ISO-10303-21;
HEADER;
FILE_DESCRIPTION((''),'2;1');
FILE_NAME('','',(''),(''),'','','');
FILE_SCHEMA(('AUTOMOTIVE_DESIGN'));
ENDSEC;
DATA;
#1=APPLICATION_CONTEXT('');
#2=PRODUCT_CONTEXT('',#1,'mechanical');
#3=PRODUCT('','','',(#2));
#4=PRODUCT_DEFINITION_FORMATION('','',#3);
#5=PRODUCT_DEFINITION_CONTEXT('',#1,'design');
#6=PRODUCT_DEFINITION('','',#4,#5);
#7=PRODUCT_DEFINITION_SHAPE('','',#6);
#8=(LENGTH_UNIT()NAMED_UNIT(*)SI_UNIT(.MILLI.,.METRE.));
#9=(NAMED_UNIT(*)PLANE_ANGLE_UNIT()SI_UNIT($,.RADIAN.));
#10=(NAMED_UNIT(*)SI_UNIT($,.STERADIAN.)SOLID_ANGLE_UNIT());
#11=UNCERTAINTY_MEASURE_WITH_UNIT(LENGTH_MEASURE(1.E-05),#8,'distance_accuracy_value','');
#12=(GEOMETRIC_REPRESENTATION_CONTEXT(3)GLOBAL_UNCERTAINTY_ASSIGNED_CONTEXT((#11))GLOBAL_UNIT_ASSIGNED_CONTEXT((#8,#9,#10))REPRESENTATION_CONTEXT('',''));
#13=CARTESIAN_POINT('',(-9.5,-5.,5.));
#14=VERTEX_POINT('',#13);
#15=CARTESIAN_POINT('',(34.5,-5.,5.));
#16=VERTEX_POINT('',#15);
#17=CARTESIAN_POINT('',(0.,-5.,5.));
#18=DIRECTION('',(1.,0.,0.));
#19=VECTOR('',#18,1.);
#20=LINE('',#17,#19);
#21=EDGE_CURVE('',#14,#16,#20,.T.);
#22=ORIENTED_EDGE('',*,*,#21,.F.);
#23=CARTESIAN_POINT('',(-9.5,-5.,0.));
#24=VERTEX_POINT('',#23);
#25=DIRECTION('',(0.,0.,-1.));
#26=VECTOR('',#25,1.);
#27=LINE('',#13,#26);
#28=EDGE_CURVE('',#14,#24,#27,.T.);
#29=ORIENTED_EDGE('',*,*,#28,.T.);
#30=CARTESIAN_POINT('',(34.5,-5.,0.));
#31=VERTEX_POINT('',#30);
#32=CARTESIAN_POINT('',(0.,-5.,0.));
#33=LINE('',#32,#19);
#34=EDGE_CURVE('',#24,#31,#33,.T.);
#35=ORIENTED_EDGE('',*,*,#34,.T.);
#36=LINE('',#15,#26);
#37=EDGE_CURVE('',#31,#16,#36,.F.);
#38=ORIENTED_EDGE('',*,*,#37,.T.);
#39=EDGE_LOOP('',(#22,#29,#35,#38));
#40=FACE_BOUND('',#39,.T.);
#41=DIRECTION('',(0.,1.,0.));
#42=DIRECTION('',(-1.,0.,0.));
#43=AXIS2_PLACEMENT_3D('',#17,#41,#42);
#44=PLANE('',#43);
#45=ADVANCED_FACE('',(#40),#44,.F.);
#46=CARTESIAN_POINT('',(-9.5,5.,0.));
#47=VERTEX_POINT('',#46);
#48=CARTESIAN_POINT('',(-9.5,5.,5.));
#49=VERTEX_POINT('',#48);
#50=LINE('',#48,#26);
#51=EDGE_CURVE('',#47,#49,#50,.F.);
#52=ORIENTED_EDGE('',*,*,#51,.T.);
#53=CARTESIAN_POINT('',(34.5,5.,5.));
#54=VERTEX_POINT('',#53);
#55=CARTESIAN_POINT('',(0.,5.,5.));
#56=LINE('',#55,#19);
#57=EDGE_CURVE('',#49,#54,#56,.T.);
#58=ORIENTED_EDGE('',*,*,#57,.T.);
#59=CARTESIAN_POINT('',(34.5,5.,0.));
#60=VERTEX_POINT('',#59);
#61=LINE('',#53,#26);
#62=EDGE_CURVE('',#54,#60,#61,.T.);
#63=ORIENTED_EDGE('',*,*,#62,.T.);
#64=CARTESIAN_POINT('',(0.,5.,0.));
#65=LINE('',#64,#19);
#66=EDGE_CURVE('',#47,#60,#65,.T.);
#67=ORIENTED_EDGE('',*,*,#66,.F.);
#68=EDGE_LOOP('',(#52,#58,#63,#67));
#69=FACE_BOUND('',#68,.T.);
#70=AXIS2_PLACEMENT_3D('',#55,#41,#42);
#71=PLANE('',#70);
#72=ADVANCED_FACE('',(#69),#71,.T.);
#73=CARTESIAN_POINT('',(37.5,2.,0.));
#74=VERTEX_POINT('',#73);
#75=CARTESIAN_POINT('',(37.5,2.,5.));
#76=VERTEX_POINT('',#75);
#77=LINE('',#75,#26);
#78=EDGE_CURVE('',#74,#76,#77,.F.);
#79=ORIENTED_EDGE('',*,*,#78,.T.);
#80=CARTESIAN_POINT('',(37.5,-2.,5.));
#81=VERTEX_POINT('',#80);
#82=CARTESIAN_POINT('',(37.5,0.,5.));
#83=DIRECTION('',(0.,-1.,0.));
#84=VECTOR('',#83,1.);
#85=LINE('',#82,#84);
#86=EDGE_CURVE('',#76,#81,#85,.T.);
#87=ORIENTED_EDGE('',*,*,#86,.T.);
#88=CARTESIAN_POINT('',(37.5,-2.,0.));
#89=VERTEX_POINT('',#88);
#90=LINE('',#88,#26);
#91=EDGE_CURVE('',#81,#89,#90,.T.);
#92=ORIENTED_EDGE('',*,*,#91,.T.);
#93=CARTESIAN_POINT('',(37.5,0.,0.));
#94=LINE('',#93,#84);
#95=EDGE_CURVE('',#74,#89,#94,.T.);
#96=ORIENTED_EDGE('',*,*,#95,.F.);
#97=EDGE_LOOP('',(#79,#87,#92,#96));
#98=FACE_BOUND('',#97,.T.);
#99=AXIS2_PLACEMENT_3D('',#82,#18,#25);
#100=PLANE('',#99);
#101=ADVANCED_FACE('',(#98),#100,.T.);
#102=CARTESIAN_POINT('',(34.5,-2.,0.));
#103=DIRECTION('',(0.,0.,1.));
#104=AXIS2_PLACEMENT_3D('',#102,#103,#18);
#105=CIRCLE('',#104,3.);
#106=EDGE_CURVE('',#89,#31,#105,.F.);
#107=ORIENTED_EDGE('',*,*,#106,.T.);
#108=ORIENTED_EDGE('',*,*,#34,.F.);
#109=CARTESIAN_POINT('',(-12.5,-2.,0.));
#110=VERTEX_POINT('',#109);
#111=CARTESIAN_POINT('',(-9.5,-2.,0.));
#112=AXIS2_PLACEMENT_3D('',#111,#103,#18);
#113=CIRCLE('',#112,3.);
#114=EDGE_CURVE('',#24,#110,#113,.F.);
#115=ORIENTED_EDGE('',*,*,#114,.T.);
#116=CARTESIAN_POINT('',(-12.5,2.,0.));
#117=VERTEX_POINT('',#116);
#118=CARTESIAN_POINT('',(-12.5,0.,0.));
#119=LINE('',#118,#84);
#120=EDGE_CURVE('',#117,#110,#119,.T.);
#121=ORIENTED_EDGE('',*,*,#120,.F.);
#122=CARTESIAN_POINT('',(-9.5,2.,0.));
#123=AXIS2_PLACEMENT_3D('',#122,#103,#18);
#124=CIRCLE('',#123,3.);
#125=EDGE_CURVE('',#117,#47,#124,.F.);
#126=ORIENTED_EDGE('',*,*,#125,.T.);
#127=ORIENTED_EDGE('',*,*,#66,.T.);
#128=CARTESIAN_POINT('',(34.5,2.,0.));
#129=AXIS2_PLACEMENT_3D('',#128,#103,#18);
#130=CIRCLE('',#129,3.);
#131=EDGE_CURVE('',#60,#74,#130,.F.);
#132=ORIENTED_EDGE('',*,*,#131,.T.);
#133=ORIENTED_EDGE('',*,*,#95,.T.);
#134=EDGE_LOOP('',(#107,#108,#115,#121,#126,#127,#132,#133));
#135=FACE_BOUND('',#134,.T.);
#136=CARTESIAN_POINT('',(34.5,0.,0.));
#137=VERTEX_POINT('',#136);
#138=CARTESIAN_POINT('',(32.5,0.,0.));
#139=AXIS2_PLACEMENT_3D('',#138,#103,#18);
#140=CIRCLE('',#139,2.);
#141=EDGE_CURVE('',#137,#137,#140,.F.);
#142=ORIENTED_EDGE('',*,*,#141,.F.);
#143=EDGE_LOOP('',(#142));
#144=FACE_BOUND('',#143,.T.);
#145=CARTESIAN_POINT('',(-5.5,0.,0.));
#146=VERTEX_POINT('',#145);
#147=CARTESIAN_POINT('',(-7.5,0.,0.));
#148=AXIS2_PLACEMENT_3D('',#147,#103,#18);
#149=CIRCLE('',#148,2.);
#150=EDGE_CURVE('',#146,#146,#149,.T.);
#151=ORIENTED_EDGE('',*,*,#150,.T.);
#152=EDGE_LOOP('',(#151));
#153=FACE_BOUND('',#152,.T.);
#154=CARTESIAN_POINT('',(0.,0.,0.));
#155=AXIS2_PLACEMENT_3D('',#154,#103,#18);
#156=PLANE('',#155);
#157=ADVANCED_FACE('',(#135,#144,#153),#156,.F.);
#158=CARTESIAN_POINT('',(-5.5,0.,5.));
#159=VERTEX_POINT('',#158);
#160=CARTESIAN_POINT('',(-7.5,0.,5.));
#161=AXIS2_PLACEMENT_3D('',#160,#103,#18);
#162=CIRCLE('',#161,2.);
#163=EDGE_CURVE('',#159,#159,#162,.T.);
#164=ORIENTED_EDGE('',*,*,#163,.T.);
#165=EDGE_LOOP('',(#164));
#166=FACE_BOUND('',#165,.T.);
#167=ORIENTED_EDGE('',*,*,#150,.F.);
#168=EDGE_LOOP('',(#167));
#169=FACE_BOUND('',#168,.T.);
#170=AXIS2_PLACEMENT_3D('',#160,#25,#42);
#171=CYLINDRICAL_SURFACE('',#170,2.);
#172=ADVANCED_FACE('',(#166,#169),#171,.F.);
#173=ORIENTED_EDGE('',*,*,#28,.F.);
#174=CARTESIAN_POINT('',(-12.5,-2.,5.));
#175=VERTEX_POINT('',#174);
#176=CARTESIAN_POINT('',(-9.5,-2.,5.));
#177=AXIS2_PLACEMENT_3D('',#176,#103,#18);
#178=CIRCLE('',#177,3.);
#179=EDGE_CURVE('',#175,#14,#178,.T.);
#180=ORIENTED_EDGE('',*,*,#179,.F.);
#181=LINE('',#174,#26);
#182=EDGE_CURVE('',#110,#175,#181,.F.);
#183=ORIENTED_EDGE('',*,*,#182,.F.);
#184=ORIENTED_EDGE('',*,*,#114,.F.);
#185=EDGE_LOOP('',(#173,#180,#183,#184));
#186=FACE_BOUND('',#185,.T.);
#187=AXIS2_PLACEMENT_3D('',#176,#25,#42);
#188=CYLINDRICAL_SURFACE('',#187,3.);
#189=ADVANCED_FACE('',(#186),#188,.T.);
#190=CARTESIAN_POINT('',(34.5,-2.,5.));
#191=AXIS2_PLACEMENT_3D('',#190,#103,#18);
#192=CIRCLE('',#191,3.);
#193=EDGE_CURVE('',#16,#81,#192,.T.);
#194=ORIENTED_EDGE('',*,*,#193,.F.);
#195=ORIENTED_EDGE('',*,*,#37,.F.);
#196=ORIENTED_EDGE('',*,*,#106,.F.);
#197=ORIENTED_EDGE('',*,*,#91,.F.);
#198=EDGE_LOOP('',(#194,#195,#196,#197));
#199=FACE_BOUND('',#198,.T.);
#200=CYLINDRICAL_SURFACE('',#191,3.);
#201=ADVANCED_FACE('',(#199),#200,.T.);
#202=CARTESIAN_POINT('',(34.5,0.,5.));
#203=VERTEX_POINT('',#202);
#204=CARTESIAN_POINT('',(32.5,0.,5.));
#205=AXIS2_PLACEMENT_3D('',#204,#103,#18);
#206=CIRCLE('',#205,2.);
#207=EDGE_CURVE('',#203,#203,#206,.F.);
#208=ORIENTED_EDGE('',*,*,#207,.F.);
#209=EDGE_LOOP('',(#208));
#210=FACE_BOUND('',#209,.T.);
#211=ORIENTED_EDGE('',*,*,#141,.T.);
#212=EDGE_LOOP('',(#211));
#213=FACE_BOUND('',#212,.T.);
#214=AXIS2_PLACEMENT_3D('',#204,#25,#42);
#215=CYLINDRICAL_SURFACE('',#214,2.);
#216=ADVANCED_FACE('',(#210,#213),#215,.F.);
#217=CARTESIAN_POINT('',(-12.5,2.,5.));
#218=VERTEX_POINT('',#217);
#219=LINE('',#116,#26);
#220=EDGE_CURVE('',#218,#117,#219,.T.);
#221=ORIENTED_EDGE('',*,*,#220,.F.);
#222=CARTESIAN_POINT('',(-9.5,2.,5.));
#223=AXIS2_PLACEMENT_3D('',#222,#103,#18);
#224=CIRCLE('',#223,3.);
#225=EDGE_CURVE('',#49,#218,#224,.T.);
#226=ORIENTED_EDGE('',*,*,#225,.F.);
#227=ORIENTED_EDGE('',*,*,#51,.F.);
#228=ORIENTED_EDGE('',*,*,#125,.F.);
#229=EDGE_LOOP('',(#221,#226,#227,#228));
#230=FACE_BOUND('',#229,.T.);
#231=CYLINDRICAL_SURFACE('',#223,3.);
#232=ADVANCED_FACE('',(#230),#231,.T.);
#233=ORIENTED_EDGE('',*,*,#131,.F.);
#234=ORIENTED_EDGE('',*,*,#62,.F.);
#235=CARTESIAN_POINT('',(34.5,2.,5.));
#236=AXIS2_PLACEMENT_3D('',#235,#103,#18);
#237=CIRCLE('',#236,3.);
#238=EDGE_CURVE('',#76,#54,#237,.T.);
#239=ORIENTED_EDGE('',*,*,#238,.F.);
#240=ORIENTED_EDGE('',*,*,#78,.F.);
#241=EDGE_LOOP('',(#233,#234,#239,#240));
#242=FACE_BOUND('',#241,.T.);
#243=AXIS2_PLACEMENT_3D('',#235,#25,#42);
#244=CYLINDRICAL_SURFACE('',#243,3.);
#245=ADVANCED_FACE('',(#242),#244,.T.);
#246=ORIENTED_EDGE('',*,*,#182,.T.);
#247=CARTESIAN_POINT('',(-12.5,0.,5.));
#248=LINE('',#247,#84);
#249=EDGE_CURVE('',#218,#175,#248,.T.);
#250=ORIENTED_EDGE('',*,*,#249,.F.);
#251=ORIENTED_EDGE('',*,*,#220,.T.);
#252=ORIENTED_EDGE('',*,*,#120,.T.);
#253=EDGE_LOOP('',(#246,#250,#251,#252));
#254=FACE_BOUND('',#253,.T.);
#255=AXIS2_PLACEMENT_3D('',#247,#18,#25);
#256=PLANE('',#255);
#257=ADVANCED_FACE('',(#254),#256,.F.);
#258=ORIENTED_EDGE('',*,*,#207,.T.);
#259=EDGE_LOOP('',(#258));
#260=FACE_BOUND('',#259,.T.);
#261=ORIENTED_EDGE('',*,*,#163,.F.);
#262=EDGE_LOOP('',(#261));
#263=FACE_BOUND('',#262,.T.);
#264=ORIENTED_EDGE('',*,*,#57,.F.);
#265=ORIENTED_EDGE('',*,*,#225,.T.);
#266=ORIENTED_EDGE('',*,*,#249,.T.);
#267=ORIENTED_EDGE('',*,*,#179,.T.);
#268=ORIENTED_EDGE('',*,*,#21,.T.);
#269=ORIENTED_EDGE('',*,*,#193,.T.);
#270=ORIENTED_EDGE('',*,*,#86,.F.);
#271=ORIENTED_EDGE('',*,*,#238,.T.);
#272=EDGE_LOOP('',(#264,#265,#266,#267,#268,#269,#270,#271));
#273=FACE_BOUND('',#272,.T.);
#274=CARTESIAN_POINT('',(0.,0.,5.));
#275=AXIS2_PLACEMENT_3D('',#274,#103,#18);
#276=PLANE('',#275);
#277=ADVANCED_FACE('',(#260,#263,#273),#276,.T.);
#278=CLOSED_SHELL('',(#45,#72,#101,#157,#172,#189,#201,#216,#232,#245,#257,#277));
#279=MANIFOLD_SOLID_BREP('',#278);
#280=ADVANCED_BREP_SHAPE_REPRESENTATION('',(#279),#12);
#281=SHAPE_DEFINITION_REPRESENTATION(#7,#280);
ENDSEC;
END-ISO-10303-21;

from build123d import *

# Parameters (mm, degrees)
ESQUISSE1_W        = 25
ESQUISSE1_H        = 10
ESQUISSE1_R        = 2
BOSS_EXTRU_1_DEPTH = 5
CONG_1_R           = 3
CONG_2_R           = 3
CONG_3_R           = 3
CONG_4_R           = 3


with BuildPart() as part:
    # Esquisse1 → Boss.-Extru.1 (new body)
    # profile 1 of 2: a face of its own
    with BuildSketch(Plane.XY):
        Rectangle(ESQUISSE1_W, ESQUISSE1_H)
        with Locations((-7.5, 0)):
            Circle(ESQUISSE1_R, mode=Mode.SUBTRACT)
    # profile 2 of 2: a face of its own
    with BuildSketch(Plane.XY):
        with Locations((25, 0)):
            Rectangle(ESQUISSE1_W, ESQUISSE1_H)
        with Locations((32.5, 0)):
            Circle(ESQUISSE1_R, mode=Mode.SUBTRACT)
    extrude(amount=BOSS_EXTRU_1_DEPTH)

    # Congé1
    cong_1_edges = [part.edges().sort_by_distance(p)[0] for p in [
        (37.5, 5, 2.5),
    ]]
    fillet(cong_1_edges, radius=CONG_1_R)

    # Congé2
    cong_2_edges = [part.edges().sort_by_distance(p)[0] for p in [
        (37.5, -5, 2.5),
    ]]
    fillet(cong_2_edges, radius=CONG_2_R)

    # Congé3
    cong_3_edges = [part.edges().sort_by_distance(p)[0] for p in [
        (-12.5, 5, 2.5),
    ]]
    fillet(cong_3_edges, radius=CONG_3_R)

    # Congé4
    cong_4_edges = [part.edges().sort_by_distance(p)[0] for p in [
        (-12.5, -5, 2.5),
    ]]
    fillet(cong_4_edges, radius=CONG_4_R)


solid = part.part
